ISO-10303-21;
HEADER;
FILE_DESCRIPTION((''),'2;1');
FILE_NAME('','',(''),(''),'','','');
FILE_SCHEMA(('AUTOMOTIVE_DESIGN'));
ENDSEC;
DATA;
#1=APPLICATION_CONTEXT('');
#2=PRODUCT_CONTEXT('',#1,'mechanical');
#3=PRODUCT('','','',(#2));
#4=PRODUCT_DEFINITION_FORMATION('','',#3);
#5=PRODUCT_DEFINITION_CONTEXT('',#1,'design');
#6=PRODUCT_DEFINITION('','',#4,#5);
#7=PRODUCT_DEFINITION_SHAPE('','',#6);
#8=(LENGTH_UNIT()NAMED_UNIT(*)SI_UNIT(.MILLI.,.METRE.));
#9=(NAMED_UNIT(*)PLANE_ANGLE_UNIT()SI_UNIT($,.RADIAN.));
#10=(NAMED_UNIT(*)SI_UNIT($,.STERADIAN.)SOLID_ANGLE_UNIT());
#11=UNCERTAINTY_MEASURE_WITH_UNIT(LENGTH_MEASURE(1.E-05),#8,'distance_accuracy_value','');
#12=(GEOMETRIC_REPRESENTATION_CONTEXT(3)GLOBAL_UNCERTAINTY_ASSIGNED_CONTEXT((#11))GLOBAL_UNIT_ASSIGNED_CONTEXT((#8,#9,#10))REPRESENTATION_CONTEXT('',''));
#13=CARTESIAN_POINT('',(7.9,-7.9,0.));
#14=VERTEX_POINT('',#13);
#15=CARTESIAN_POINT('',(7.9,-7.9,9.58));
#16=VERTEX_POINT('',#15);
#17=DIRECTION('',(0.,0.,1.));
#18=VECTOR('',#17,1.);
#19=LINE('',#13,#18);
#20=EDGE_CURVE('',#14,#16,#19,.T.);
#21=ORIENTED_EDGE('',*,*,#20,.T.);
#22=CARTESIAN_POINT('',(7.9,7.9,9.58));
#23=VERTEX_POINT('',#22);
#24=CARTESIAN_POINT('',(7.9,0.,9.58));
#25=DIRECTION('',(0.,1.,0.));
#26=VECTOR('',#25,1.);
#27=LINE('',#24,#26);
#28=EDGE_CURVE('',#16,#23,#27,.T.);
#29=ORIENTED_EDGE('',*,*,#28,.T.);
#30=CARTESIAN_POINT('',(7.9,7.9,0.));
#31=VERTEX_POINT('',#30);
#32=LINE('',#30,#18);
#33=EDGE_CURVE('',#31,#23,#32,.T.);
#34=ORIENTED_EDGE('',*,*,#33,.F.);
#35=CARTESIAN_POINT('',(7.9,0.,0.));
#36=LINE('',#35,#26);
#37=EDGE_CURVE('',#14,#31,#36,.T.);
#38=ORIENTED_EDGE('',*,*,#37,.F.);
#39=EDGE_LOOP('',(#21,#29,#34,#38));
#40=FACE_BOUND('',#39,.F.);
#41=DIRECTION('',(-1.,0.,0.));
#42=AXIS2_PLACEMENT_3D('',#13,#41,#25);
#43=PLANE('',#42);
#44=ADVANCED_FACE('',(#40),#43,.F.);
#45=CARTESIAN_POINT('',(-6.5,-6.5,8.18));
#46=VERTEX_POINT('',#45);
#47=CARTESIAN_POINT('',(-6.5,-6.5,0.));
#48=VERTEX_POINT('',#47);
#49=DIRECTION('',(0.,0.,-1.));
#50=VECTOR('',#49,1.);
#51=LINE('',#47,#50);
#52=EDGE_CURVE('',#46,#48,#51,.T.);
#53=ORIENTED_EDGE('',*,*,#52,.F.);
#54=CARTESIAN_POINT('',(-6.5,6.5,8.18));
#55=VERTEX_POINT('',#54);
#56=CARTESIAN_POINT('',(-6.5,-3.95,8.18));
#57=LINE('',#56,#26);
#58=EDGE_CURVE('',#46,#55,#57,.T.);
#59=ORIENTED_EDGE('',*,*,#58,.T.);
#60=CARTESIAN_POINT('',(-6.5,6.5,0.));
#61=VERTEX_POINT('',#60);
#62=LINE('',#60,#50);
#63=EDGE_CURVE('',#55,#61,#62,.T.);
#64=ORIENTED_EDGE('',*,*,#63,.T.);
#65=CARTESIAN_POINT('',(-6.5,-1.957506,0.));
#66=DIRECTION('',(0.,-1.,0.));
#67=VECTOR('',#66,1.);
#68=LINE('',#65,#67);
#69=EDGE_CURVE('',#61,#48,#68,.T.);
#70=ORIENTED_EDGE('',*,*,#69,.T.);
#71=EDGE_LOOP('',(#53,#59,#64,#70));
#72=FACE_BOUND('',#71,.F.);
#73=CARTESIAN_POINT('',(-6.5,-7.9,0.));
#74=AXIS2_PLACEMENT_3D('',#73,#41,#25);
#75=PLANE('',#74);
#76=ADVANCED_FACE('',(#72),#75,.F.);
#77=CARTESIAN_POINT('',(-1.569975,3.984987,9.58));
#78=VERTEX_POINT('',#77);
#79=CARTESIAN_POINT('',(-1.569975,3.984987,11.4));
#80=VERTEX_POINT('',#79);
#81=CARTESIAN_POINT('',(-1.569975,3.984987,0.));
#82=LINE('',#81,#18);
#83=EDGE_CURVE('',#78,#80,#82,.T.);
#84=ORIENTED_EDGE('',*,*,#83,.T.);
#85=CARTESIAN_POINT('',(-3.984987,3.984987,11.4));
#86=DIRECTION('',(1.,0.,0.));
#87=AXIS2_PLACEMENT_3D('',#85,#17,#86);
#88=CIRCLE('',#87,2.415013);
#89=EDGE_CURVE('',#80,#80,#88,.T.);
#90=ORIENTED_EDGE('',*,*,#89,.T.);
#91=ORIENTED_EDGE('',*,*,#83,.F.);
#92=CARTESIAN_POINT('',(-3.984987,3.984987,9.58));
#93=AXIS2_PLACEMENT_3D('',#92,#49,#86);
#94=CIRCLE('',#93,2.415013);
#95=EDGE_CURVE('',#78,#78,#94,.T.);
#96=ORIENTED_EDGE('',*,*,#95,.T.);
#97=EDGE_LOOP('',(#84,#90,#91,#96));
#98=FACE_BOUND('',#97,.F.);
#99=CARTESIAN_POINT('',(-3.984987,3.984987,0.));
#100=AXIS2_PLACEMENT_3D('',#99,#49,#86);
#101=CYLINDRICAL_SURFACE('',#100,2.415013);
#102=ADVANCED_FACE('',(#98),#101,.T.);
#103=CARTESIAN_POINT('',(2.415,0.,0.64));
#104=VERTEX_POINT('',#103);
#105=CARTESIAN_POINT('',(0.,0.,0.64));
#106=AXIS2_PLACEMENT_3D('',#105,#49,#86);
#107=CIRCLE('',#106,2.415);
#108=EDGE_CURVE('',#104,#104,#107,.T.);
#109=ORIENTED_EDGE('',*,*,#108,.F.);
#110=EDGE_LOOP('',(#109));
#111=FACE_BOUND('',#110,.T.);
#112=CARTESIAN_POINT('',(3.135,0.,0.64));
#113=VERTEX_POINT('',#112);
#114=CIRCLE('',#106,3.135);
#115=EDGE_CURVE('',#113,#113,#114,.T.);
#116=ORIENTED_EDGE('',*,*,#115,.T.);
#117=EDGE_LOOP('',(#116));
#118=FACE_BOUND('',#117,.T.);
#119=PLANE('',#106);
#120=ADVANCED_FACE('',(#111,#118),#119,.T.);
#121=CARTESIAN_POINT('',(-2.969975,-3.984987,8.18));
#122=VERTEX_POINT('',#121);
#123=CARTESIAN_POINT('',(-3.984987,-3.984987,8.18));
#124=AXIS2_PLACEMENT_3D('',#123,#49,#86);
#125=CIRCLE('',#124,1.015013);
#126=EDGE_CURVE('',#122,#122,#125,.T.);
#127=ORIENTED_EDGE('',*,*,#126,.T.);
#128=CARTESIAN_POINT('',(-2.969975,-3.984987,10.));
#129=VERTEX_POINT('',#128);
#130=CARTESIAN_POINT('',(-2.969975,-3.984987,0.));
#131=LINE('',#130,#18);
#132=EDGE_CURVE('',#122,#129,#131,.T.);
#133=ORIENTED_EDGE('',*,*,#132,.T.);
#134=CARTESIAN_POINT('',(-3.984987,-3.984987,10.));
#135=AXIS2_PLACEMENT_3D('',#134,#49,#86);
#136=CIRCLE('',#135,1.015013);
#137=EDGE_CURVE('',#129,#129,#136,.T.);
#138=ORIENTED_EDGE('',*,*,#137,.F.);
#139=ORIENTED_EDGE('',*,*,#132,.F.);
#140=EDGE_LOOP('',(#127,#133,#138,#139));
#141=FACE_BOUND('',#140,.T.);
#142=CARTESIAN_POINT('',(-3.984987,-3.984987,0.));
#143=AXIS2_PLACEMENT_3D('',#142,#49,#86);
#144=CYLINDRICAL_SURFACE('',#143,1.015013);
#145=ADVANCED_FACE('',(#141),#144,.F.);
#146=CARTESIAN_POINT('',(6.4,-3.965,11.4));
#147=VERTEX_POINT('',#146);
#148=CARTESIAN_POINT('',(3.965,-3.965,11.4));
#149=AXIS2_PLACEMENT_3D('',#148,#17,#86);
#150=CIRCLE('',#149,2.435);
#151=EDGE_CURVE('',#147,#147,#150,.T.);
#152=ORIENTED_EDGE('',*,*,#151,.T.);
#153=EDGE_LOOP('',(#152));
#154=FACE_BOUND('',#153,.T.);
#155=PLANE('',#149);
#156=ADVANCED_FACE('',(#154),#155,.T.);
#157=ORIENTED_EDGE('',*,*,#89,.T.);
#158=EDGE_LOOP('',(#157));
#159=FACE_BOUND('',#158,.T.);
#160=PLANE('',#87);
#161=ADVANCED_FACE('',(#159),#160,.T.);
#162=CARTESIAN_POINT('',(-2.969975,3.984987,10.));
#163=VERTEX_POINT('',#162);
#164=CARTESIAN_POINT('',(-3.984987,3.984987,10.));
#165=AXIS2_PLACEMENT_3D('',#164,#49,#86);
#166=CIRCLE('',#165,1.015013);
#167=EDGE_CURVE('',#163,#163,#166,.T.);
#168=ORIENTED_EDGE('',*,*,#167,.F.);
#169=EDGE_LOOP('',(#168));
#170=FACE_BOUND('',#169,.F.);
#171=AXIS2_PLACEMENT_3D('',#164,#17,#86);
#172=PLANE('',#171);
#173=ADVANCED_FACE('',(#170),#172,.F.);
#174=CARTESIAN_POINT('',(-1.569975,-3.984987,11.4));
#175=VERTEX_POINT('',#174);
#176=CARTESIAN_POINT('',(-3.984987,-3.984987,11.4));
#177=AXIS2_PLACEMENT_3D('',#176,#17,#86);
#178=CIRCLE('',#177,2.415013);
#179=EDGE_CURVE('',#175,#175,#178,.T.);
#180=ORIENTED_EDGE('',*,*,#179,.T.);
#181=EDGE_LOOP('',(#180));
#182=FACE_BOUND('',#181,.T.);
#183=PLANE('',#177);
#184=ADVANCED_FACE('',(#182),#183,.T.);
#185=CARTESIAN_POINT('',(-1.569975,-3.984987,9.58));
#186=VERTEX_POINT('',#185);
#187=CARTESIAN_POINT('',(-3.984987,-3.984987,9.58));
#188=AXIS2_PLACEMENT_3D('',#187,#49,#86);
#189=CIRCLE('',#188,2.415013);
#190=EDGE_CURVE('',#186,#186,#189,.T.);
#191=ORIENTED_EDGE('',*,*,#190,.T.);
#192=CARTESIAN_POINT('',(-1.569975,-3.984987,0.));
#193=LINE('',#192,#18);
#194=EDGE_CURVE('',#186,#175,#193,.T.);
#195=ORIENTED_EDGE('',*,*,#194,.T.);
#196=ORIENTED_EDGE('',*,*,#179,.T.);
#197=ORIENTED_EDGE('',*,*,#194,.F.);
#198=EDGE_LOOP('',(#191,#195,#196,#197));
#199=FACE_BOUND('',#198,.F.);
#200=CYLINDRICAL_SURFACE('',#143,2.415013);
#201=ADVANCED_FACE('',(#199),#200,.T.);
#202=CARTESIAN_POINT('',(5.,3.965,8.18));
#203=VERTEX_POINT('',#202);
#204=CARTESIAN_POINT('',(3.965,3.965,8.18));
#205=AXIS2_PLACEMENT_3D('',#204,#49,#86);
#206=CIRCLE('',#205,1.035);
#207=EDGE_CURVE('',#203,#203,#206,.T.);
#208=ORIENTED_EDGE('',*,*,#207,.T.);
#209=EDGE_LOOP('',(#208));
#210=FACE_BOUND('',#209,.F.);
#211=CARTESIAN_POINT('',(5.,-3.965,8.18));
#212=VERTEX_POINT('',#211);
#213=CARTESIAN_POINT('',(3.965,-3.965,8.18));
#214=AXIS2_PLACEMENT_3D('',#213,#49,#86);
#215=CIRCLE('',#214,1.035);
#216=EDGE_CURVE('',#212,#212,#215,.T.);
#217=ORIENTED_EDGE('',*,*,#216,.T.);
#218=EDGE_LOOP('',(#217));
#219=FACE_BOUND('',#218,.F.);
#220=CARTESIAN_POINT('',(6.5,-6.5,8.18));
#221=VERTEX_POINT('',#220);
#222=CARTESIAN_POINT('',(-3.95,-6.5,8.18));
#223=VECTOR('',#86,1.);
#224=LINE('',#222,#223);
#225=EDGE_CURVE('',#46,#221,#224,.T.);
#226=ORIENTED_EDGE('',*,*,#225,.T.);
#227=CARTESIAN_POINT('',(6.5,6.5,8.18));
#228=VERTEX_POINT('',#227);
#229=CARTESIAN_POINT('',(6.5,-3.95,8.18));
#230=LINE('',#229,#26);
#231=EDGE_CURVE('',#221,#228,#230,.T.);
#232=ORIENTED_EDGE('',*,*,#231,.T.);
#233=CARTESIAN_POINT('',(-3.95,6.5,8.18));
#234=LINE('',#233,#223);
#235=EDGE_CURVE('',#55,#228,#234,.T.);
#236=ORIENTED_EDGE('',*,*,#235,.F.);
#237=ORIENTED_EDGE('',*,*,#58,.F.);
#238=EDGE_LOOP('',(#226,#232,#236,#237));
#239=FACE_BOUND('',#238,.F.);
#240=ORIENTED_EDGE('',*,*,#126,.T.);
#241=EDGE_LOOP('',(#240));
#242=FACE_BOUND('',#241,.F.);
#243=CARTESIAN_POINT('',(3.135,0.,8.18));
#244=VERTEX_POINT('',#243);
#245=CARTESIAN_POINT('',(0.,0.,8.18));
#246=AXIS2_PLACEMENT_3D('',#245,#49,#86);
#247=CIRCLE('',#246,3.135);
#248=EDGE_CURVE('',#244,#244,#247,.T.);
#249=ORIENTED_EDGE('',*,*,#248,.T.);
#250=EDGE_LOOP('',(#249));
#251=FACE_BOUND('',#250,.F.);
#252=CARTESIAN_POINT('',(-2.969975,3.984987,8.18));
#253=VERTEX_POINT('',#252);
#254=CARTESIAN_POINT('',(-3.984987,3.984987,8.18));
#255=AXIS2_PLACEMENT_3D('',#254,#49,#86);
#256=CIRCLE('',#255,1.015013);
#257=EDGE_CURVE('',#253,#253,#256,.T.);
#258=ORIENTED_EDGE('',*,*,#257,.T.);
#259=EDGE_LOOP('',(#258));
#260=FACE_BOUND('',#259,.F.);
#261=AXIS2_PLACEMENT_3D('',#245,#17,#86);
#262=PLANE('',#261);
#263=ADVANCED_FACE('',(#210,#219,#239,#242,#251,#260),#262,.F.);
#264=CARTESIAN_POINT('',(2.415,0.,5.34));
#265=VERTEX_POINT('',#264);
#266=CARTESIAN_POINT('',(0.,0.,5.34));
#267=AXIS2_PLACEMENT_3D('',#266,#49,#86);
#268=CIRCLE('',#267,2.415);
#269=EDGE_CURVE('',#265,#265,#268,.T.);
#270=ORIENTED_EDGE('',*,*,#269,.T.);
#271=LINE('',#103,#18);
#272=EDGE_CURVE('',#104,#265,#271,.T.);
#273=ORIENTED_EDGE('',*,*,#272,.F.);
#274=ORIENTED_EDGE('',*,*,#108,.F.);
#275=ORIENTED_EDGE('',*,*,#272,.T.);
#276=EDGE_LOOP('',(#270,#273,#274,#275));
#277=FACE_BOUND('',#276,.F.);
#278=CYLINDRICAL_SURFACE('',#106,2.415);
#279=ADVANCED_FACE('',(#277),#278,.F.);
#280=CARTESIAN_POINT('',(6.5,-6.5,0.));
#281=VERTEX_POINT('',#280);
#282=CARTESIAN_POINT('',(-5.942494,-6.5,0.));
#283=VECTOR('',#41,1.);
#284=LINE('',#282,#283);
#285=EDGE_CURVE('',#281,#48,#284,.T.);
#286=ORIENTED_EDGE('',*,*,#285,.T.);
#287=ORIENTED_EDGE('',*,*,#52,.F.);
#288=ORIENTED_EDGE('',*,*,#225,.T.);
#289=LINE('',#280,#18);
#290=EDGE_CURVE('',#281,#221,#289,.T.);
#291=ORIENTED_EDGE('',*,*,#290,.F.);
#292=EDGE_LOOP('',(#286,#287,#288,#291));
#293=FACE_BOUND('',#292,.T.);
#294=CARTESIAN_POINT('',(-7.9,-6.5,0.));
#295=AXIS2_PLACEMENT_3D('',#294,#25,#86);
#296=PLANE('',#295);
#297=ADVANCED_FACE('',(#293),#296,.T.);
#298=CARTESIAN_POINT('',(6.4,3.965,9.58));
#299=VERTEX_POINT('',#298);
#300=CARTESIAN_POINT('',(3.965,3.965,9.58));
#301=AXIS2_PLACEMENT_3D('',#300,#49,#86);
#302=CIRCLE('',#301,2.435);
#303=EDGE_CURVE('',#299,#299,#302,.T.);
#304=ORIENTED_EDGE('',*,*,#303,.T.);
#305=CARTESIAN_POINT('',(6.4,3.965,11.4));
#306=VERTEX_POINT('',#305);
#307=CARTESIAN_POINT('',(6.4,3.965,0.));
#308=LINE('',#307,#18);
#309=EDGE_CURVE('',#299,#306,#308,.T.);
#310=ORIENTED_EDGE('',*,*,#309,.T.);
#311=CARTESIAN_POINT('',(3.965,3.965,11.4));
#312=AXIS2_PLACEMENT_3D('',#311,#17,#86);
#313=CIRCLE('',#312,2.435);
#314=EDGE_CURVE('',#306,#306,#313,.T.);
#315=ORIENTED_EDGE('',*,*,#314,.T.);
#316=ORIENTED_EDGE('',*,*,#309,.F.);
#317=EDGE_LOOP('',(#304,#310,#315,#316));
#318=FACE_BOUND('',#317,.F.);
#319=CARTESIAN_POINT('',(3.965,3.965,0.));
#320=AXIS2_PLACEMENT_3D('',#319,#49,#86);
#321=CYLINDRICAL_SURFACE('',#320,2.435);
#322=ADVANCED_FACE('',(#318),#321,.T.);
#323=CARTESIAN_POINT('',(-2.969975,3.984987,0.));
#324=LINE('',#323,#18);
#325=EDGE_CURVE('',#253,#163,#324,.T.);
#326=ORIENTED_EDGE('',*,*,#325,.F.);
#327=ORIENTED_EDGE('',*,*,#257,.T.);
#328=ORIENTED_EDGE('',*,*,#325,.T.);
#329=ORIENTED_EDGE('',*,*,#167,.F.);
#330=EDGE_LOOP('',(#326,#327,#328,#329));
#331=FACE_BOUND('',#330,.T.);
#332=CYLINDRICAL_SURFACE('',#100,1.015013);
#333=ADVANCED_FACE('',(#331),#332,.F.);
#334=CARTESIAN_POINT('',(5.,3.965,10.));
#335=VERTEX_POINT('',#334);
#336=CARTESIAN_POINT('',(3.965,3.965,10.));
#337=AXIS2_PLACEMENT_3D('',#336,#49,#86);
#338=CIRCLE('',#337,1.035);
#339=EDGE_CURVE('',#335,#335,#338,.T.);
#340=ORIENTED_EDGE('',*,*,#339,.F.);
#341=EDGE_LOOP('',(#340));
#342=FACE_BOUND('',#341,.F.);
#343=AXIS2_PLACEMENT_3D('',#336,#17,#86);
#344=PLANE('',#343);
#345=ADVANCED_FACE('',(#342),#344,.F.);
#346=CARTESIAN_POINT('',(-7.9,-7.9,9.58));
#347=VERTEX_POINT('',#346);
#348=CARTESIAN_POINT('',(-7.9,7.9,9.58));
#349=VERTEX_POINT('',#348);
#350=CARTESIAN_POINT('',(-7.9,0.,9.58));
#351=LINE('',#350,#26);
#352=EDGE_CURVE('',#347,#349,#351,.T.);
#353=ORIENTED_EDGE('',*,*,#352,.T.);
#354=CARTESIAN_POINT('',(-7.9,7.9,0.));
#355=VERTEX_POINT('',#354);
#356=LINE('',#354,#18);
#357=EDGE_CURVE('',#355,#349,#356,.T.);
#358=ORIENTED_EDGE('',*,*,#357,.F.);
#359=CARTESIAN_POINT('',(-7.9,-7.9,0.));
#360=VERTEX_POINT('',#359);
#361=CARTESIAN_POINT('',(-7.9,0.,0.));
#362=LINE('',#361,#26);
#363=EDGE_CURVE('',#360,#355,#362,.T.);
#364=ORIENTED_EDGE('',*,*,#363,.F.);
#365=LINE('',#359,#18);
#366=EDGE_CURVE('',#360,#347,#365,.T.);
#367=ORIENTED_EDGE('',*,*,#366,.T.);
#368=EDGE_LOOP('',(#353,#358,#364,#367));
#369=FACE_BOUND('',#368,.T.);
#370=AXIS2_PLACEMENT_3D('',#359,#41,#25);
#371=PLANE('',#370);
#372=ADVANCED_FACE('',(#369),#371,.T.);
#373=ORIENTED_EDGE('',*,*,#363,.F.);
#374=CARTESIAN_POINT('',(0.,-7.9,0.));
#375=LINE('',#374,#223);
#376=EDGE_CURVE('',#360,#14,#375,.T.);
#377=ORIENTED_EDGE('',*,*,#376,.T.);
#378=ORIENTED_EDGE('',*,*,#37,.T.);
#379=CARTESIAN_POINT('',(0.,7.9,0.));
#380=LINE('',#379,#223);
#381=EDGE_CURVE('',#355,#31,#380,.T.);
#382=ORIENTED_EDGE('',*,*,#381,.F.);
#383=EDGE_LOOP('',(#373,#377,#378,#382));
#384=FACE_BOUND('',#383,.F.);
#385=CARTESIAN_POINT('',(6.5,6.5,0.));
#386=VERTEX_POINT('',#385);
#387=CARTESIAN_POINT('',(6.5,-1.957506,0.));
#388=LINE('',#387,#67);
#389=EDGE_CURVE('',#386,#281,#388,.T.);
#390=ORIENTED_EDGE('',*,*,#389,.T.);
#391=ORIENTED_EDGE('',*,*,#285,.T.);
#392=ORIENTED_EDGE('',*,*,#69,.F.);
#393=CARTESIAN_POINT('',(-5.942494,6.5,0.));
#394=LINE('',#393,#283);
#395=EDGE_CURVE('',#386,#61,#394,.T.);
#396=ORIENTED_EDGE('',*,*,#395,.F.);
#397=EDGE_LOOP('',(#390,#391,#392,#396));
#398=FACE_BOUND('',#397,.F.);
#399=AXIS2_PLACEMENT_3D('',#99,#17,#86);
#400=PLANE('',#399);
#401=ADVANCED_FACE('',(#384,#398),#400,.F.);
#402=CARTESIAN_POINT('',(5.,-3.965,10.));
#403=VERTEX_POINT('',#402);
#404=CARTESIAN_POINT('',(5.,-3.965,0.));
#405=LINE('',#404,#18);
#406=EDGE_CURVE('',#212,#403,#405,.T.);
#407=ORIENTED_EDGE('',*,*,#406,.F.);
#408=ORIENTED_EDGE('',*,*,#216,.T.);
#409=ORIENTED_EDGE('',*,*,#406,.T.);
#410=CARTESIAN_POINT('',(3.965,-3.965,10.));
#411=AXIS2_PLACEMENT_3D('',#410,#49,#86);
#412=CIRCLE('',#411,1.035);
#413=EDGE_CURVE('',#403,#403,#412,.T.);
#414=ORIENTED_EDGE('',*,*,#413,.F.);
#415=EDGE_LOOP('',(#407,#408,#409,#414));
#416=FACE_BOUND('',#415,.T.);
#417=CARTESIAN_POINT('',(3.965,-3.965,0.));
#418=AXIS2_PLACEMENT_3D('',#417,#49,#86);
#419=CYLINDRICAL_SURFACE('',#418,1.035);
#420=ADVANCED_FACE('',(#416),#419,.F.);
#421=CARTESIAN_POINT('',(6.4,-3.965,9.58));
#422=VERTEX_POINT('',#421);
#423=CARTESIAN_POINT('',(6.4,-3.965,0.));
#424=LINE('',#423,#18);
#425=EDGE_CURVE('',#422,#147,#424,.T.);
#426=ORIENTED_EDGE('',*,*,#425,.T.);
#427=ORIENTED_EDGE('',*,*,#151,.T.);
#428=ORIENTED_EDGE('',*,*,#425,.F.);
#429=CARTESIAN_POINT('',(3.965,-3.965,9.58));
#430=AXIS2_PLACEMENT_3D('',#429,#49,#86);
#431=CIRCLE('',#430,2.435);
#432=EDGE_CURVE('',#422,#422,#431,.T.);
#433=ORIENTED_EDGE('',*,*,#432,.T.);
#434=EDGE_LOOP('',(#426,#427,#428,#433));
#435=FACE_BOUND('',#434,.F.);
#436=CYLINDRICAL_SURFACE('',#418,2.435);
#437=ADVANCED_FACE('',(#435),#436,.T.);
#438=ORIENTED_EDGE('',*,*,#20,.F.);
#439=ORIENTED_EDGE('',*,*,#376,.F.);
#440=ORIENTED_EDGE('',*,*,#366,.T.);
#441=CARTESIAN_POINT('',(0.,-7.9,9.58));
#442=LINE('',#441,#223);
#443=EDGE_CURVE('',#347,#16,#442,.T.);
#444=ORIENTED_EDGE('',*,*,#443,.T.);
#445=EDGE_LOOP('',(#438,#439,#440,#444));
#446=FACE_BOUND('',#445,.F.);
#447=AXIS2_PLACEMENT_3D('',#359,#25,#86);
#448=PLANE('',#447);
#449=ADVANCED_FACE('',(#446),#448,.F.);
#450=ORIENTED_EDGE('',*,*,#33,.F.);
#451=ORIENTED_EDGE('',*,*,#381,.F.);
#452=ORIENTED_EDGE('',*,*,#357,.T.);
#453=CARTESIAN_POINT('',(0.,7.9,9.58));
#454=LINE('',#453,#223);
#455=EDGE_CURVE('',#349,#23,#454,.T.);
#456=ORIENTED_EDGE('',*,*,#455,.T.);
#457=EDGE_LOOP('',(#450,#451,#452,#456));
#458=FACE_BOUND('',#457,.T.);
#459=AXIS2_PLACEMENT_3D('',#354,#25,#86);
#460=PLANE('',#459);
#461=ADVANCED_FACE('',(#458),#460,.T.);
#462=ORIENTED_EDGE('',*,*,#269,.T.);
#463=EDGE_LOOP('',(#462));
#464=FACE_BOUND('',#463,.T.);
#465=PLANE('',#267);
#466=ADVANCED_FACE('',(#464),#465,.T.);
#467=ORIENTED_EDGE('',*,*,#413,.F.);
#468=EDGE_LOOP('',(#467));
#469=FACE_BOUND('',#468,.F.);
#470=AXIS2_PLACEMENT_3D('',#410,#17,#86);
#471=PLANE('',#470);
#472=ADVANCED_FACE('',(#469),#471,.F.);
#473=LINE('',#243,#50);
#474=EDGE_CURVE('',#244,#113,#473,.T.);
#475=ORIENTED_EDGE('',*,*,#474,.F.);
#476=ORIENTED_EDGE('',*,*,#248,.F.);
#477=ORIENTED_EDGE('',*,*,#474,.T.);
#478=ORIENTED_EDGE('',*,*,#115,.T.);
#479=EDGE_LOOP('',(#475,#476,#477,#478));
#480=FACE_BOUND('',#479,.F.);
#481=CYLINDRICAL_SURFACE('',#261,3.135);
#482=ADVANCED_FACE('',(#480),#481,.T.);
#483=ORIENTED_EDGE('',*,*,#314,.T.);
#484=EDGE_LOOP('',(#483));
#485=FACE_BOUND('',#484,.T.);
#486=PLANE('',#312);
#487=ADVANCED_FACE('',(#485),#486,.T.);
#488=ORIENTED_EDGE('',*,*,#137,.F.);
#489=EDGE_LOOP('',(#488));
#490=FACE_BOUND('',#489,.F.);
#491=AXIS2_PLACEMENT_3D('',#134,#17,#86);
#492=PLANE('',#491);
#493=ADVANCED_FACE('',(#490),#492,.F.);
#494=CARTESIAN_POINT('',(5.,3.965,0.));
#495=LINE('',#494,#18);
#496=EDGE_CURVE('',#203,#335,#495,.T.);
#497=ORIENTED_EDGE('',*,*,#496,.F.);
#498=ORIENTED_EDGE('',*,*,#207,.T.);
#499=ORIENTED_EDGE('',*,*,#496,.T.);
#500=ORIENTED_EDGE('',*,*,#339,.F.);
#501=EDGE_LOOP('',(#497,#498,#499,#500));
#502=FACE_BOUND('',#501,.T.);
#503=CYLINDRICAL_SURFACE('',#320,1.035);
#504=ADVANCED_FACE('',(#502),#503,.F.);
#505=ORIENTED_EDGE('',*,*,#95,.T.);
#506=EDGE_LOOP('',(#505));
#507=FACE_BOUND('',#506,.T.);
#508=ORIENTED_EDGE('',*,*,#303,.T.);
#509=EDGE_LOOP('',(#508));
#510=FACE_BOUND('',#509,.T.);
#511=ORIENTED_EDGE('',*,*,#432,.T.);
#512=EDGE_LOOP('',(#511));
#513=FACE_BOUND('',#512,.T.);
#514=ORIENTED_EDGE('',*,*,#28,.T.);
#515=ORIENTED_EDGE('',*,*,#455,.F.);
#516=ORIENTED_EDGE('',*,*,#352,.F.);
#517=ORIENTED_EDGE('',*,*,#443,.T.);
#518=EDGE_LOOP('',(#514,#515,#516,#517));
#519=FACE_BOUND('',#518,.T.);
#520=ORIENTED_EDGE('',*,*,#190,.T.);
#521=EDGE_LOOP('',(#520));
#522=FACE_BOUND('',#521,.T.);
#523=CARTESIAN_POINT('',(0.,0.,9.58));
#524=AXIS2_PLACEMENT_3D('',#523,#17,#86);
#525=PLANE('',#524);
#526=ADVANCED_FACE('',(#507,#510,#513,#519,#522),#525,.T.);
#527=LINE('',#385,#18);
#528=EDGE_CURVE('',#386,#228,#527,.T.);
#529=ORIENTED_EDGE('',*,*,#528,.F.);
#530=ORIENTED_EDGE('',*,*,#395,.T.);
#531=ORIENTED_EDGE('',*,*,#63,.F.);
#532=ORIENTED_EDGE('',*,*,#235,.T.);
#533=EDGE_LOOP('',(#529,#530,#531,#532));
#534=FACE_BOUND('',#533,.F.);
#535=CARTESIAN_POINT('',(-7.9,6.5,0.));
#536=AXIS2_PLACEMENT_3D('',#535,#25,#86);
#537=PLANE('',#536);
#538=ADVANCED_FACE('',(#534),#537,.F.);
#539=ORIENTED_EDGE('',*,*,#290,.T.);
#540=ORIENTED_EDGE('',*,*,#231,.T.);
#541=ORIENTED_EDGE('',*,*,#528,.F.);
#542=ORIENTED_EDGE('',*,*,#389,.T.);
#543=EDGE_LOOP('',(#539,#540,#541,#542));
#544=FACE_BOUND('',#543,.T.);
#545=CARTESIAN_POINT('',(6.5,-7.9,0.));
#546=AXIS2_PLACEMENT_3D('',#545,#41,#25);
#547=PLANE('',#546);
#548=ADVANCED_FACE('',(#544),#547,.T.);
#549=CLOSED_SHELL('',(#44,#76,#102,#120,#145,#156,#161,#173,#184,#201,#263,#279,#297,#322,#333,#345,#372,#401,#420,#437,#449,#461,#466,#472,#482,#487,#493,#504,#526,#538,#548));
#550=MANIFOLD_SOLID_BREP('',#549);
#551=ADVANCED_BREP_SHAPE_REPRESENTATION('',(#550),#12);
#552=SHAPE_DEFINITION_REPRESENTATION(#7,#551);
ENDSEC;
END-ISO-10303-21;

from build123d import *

# Parameters (mm, degrees)
F1_W     = 15.8
F1_H     = 15.8
F2_DEPTH = 9.58
F0_R     = 2.4150125628
F0_R_2   = 2.435
F3_DEPTH = 11.4
F4_T     = -1.4
F5_R     = 3.135
F6_DEPTH = 7.54
F7_R     = 2.415
F8_DEPTH = 4.7


with BuildPart() as f2:
    # F1 (on Top) → F2 (new body)
    with BuildSketch(Plane.XY):
        Rectangle(F1_W, F1_H)
    extrude(amount=F2_DEPTH)

    # F0 (on Top) → F3 (join)
    with BuildSketch(Plane.XY):
        with Locations((-3.9849874372, 3.9849874372)):
            Circle(F0_R)
        with Locations((3.965, 3.965)):
            Circle(F0_R_2)
        with Locations((3.965, -3.965)):
            Circle(F0_R_2)
        with Locations((-3.9849874372, -3.9849874372)):
            Circle(F0_R)
    extrude(amount=F3_DEPTH)

    # F4
    f4_openings = [f2.faces().sort_by_distance(p)[0] for p in [
        (0, 0, 0),
    ]]
    offset(amount=F4_T, openings=f4_openings, kind=Kind.INTERSECTION)

    # F5 (on face) → F6 (join)
    with BuildSketch(Plane(origin=(0, 0, 8.18), x_dir=(1, 0, 0), z_dir=(0, 0, -1))):
        Circle(F5_R)
    extrude(amount=F6_DEPTH)

    # F7 (on face) → F8 (cut)
    with BuildSketch(Plane(origin=(0, 0, 0.64), x_dir=(1, 0, 0), z_dir=(0, 0, -1))):
        Circle(F7_R)
    extrude(amount=-F8_DEPTH, mode=Mode.SUBTRACT)


solid = f2.part
